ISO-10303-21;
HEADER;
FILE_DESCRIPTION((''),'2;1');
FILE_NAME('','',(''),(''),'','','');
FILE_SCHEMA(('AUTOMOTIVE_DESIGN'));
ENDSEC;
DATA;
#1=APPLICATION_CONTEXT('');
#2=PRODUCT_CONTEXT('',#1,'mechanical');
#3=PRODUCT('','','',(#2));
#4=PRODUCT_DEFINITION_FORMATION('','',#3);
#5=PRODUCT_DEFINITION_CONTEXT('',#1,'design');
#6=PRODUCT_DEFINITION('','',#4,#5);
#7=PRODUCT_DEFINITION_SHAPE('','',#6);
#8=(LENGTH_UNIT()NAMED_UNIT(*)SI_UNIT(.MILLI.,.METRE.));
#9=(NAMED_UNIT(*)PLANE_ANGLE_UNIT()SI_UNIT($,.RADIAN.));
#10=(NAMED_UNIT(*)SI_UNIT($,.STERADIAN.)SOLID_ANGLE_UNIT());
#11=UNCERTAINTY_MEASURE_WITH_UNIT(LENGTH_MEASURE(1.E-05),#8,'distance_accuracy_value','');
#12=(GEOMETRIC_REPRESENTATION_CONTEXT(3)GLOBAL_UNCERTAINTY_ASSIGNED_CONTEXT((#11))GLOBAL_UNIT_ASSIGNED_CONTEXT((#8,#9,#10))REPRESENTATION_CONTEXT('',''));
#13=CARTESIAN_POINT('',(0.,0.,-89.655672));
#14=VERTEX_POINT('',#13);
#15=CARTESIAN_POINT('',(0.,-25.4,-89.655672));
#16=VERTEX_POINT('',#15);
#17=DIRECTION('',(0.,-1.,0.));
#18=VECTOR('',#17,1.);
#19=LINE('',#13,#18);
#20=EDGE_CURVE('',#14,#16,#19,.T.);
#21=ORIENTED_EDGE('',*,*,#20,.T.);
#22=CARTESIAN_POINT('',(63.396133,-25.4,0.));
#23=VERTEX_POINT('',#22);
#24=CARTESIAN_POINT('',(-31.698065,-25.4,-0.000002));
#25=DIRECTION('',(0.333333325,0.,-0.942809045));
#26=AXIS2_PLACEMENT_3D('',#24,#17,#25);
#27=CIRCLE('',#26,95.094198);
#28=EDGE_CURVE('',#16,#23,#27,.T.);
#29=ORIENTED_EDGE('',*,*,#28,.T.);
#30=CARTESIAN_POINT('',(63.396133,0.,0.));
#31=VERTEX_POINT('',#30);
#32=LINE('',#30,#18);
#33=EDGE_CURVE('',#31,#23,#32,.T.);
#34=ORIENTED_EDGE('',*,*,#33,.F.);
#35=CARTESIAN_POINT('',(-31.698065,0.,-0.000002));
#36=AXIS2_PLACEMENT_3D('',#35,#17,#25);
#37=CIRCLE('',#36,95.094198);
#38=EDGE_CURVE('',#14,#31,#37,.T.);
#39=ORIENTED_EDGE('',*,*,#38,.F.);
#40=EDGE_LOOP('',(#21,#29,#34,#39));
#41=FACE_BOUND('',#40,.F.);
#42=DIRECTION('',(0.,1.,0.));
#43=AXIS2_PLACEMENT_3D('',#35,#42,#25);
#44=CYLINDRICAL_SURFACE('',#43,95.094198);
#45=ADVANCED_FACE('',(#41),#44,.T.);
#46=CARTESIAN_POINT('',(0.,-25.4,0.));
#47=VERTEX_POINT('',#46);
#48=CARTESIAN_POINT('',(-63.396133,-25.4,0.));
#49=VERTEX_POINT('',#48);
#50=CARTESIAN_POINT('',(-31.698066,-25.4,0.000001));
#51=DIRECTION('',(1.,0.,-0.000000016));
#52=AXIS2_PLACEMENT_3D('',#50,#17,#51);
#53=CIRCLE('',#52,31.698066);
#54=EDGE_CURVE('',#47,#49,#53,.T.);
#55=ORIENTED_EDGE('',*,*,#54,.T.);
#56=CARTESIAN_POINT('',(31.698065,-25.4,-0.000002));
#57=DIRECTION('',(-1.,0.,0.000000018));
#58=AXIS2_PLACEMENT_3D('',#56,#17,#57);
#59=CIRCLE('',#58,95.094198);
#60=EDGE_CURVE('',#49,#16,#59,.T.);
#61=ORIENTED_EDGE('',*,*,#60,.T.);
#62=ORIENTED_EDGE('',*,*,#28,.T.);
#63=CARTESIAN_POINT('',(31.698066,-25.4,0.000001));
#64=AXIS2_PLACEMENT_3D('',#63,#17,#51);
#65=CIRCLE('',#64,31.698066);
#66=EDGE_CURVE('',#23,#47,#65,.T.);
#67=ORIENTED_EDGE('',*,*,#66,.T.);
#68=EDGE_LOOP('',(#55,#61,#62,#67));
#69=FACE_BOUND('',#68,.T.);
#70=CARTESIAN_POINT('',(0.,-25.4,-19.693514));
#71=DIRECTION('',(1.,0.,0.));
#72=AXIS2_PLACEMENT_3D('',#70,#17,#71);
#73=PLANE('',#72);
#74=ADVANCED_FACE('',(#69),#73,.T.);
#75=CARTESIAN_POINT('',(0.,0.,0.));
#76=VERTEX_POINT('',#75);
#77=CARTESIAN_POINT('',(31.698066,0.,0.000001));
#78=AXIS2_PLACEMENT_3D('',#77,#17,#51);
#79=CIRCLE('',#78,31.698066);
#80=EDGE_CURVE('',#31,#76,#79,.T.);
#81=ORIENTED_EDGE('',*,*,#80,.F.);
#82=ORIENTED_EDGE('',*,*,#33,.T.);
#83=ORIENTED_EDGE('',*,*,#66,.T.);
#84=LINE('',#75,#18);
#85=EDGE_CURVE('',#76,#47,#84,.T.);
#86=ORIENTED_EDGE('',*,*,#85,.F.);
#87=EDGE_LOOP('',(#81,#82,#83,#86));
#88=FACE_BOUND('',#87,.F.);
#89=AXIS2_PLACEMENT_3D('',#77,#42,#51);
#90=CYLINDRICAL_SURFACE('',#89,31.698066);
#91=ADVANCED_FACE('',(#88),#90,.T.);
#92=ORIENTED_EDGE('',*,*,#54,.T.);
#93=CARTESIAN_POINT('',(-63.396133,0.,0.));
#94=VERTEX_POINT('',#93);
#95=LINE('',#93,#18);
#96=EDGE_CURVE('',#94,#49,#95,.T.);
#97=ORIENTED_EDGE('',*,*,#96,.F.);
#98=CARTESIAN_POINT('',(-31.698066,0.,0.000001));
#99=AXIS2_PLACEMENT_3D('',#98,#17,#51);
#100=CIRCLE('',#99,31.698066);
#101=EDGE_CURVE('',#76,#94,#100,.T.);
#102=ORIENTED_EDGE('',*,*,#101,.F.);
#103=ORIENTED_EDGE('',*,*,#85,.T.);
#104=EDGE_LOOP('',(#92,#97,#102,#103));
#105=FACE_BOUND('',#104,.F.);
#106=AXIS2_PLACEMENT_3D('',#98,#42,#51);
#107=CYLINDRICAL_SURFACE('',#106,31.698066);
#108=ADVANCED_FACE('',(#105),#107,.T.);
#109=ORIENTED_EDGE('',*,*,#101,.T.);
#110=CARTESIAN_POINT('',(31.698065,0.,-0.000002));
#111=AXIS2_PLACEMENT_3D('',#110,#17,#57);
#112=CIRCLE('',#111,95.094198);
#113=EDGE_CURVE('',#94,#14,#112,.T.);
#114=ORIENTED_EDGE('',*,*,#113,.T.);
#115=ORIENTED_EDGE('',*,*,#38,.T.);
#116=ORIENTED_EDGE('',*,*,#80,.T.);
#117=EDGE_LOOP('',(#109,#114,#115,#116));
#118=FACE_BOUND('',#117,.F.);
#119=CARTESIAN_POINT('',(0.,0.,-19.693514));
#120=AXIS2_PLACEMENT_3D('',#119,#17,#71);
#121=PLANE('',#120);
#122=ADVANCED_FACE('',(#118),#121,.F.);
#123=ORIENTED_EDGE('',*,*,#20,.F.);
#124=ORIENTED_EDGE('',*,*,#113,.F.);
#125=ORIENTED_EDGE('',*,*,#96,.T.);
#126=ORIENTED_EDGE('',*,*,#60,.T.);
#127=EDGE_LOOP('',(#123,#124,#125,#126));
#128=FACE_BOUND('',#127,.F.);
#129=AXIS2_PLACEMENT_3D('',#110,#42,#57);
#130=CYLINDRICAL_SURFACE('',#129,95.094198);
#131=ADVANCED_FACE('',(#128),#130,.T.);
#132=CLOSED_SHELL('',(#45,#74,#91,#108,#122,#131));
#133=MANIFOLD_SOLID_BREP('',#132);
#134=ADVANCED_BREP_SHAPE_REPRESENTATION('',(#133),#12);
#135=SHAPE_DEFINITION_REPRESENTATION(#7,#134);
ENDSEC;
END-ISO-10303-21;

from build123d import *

# Parameters (mm, degrees)
F1_DEPTH = 25.4


with BuildPart() as f1:
    # F0 (on Front) → F1 (new body)
    with BuildSketch(Plane.XZ):
        with BuildLine():
            ThreePointArc((63.396133, 0), (31.698067, 31.698067), (0, 0))
            ThreePointArc((0, 0), (-31.698067, 31.698067), (-63.396133, 0))
            ThreePointArc((-63.396133, 0), (-45.946023, -54.902662), (0, -89.655672))
            ThreePointArc((0, -89.655672), (45.946023, -54.902662), (63.396133, 0))
        make_face()
    extrude(amount=F1_DEPTH)


solid = f1.part
